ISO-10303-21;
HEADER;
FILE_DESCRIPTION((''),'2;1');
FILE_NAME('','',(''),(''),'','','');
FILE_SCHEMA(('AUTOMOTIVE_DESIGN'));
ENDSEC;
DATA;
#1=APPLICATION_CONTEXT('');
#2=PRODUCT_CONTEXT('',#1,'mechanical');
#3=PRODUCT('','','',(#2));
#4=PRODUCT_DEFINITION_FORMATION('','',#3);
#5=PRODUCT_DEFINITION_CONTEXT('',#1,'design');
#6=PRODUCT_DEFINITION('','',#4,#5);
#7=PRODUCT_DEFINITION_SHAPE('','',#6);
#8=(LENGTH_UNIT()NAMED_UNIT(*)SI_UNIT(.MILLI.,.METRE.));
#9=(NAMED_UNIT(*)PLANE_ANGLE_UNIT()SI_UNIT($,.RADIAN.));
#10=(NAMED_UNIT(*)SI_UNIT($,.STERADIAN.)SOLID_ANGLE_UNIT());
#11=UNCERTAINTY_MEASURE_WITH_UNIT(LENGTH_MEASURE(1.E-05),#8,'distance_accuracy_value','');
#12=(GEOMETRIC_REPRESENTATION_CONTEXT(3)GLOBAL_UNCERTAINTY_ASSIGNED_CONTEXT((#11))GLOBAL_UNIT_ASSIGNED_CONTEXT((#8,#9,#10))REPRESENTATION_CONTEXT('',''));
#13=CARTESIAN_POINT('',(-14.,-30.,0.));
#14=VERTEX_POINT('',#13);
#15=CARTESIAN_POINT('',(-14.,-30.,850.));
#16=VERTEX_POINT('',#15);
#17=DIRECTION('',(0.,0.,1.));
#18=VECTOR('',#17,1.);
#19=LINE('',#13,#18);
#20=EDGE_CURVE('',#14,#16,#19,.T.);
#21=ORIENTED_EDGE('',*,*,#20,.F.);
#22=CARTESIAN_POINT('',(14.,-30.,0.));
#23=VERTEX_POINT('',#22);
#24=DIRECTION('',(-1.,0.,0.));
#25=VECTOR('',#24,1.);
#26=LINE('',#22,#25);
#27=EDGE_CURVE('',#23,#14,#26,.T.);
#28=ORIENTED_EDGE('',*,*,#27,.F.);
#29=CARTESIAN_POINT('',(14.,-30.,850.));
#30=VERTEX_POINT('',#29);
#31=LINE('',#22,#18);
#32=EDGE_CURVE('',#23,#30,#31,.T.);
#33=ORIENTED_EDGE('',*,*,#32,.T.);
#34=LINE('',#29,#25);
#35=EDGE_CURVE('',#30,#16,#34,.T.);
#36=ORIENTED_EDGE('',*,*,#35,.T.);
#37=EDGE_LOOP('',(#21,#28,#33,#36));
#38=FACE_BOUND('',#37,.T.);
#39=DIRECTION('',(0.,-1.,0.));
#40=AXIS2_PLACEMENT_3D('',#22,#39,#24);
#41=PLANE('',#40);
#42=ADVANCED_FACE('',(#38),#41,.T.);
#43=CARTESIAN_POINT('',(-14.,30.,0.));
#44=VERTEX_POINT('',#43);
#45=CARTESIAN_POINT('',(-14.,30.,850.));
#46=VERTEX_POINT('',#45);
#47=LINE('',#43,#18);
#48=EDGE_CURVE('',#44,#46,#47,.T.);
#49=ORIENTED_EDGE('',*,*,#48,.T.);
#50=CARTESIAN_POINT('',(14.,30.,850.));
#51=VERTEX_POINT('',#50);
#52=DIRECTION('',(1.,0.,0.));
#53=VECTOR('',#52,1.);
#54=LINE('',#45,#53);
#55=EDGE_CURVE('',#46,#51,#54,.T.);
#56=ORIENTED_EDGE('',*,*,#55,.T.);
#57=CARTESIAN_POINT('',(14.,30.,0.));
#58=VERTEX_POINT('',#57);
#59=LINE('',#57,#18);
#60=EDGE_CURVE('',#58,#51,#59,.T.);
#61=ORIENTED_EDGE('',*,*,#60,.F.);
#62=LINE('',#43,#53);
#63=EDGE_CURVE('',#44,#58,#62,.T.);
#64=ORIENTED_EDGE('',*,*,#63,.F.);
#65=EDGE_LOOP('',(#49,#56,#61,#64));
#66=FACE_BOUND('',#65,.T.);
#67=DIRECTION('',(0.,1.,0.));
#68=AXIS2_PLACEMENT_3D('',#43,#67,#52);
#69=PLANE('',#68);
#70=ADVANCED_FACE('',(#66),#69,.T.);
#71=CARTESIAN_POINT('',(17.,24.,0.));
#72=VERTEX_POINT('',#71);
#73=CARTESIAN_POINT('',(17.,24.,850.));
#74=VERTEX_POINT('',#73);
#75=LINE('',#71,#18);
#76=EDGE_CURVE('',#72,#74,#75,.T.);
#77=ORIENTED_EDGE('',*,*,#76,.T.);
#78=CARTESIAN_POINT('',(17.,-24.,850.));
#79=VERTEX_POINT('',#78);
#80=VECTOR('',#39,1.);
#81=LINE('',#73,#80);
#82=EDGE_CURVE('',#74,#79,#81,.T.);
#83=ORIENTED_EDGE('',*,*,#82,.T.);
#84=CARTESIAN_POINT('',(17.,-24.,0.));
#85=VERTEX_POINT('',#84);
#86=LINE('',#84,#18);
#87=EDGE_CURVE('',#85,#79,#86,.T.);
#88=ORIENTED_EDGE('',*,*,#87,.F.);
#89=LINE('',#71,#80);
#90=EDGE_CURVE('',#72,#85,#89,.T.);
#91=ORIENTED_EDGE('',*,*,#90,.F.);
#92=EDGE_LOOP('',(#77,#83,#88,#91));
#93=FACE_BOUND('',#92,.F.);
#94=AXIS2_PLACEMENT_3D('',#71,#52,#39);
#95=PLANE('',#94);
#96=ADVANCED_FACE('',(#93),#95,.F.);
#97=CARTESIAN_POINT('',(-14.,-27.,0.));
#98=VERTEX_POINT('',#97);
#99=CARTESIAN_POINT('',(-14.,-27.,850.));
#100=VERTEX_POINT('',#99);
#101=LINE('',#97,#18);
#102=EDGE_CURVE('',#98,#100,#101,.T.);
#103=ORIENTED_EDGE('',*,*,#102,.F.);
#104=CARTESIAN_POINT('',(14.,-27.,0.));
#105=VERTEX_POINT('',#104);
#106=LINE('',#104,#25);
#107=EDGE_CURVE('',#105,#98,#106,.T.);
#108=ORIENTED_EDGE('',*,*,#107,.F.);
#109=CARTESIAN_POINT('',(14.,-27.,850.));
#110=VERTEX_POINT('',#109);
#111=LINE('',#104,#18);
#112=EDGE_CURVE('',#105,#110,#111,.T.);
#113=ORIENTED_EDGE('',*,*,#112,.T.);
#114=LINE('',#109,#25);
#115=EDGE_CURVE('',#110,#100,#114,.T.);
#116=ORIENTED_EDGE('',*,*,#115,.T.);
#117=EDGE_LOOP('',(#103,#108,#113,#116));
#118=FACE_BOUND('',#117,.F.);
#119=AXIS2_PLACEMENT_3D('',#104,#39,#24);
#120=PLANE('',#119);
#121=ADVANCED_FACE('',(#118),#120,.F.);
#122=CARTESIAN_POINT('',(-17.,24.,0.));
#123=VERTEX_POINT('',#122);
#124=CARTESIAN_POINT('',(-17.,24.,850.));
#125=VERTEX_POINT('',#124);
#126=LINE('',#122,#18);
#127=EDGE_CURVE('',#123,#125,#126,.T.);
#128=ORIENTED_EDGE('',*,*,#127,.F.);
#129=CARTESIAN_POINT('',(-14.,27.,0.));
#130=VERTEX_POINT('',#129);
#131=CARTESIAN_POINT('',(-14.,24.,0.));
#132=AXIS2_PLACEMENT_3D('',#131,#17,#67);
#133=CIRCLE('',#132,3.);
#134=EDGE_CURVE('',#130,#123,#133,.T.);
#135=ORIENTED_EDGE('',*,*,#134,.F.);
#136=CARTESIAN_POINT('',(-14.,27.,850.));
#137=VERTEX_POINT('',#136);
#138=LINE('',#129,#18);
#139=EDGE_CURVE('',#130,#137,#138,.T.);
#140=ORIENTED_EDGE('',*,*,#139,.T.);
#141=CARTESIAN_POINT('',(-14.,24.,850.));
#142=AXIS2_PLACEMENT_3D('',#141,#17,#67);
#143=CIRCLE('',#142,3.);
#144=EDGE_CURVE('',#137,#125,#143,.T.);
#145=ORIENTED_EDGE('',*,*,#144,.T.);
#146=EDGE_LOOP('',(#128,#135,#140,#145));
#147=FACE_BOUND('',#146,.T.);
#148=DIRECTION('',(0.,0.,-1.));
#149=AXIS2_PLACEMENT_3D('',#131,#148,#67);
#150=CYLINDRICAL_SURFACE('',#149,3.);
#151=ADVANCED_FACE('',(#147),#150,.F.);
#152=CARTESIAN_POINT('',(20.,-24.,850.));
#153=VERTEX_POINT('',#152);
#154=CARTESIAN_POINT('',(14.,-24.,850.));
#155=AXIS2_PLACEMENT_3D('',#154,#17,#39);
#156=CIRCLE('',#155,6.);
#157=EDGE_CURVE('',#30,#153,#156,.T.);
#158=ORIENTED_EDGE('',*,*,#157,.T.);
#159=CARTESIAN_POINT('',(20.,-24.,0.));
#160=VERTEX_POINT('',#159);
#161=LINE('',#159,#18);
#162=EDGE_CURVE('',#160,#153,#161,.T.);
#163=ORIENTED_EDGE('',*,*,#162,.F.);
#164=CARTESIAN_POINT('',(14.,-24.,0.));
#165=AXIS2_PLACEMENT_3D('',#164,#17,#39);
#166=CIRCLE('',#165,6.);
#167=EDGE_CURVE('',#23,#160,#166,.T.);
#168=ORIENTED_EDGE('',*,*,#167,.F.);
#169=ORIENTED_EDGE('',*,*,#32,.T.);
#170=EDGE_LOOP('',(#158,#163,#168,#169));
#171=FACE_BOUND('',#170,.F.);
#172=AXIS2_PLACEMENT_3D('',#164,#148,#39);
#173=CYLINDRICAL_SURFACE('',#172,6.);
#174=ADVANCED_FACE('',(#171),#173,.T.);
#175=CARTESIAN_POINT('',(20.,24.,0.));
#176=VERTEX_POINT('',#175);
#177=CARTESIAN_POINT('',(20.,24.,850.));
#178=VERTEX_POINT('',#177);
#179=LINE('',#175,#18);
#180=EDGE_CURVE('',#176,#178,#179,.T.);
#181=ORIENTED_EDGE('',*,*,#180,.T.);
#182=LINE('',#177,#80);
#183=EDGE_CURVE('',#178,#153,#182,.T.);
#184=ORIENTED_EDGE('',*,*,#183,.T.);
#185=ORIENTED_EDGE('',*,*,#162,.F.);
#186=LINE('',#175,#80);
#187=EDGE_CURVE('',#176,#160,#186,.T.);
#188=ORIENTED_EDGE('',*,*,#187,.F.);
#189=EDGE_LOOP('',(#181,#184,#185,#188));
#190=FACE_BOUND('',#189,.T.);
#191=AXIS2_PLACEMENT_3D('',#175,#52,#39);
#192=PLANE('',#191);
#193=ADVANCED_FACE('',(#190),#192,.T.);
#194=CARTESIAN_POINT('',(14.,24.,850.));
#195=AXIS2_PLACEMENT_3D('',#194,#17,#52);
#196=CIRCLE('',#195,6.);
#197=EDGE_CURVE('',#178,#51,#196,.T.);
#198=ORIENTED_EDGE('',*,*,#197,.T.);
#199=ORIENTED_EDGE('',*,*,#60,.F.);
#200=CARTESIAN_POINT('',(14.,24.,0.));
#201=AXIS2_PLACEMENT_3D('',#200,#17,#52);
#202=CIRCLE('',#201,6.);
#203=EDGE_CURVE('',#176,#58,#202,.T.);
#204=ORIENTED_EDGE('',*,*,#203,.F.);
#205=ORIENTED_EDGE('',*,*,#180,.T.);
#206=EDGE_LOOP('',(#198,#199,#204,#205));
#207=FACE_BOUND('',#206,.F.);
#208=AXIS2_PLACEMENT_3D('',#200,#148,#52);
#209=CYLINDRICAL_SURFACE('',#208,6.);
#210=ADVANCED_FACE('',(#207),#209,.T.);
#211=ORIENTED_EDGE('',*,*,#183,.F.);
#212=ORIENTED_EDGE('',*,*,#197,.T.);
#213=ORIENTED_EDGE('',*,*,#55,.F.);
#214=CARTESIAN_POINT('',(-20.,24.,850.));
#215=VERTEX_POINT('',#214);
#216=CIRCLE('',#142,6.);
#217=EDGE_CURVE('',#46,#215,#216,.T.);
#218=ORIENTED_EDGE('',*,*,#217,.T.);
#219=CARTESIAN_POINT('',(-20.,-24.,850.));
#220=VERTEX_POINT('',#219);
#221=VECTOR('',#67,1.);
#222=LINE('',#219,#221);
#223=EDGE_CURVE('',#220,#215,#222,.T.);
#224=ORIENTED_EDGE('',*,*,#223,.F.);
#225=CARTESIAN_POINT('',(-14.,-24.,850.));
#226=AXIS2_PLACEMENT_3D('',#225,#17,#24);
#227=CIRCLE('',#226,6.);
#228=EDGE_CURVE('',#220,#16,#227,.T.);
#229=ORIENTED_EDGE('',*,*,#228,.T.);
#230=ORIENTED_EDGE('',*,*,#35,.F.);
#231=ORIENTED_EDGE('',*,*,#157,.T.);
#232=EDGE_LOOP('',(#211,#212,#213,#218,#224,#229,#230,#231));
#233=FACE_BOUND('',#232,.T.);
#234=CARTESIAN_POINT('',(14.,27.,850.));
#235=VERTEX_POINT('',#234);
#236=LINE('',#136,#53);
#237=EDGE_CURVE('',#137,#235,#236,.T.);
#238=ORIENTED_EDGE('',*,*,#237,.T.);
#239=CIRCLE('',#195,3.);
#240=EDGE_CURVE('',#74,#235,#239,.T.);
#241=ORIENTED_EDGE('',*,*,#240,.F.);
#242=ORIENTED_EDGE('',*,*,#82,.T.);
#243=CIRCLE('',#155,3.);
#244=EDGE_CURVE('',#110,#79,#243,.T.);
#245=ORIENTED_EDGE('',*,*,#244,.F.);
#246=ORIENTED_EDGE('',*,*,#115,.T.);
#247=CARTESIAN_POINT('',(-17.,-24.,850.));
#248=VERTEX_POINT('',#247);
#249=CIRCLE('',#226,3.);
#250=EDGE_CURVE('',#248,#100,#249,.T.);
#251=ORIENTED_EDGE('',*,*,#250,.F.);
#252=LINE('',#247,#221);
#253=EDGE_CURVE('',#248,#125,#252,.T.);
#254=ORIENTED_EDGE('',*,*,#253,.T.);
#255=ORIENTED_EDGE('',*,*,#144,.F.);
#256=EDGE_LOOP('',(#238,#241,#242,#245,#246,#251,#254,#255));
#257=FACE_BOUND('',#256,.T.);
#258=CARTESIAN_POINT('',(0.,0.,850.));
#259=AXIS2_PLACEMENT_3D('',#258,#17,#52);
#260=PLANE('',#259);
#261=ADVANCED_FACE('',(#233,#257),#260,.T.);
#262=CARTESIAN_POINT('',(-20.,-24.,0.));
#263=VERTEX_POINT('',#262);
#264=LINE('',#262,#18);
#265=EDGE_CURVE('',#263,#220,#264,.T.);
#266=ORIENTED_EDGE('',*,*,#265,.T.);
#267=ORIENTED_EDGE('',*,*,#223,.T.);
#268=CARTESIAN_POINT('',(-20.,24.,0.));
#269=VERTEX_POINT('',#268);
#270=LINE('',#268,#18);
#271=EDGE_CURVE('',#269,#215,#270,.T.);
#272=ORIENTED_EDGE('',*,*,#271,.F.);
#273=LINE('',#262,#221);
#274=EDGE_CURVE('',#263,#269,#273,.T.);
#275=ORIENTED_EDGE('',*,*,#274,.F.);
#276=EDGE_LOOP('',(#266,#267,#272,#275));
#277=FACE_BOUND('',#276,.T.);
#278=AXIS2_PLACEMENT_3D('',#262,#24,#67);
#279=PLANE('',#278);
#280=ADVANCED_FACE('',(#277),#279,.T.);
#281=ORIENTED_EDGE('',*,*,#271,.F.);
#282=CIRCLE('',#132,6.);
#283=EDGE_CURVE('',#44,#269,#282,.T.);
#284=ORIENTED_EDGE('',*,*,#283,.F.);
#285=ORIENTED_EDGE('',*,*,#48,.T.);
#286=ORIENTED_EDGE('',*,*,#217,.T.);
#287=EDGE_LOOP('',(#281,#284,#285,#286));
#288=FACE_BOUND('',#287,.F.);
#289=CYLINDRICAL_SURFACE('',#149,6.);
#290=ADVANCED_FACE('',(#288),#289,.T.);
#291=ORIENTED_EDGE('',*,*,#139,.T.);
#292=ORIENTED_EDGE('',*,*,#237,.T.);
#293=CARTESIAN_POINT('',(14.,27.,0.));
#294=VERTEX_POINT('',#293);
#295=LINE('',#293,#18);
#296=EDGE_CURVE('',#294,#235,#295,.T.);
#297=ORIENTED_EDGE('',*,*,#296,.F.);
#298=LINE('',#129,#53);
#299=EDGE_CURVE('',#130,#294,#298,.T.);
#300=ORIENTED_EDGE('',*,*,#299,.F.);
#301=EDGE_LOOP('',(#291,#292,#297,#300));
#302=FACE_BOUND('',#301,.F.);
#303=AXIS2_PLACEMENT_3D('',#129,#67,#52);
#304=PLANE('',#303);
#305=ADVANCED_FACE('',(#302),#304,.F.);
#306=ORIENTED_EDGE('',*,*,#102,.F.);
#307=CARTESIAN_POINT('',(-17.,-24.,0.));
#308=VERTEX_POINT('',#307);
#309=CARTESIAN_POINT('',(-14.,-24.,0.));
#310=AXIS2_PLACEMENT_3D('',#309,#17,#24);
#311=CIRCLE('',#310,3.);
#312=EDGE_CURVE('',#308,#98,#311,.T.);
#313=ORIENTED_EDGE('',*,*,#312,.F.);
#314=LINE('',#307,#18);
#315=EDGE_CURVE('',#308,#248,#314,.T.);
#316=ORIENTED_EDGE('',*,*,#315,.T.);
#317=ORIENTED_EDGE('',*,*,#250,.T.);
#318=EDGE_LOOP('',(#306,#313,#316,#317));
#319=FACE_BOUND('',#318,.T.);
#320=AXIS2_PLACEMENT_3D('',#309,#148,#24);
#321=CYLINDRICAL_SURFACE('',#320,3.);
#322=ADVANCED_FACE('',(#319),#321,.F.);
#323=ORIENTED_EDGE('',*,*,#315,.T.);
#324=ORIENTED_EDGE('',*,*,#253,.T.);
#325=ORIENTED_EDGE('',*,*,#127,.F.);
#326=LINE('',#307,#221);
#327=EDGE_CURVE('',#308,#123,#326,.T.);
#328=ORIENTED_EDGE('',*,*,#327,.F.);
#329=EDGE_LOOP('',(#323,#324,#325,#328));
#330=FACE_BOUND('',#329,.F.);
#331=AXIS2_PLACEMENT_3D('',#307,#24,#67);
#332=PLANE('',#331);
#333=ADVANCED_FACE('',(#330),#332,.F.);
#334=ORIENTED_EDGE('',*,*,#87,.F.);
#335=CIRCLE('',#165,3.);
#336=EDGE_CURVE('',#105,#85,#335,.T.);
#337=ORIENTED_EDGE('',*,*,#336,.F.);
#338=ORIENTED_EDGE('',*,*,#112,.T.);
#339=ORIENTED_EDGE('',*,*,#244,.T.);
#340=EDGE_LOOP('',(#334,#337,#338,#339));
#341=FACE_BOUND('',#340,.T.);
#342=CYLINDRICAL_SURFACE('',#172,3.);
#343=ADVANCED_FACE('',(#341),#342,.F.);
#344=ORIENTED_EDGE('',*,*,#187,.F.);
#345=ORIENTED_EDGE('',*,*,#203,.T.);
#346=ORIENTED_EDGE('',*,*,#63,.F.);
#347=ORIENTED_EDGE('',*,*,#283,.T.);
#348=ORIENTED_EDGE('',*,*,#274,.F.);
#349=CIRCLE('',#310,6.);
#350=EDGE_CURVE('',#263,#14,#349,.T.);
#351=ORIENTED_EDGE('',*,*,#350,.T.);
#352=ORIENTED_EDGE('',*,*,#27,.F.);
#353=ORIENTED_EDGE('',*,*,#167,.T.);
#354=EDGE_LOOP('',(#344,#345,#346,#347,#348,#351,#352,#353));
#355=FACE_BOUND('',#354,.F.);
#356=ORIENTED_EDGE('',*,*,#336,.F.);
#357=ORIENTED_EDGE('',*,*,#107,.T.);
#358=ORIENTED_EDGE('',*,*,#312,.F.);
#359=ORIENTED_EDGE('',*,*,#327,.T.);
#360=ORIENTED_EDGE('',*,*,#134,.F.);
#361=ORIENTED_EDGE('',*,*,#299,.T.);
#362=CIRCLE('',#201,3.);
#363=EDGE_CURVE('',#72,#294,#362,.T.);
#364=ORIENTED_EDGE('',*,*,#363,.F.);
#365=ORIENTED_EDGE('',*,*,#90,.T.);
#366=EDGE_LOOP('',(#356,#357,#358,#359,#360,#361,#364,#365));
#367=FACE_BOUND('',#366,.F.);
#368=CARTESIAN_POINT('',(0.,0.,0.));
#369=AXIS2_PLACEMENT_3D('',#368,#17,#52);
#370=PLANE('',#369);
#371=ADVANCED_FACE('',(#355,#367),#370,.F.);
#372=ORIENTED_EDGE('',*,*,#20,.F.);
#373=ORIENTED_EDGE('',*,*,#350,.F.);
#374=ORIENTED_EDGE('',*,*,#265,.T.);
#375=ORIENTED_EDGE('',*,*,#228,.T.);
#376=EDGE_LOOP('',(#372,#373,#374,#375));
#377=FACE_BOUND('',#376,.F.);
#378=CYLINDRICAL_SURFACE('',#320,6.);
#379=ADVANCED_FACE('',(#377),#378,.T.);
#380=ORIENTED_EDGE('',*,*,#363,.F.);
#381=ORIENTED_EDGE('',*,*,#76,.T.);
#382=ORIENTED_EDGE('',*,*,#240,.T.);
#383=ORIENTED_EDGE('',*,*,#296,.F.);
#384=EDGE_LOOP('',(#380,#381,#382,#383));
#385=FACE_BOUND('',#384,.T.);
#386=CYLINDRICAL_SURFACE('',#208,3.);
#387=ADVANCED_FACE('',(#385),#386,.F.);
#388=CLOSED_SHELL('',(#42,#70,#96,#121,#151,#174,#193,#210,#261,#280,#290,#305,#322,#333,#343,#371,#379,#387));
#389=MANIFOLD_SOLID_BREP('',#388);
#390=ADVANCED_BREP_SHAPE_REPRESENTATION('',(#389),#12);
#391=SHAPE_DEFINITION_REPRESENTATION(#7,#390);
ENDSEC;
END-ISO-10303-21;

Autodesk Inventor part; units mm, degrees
ref_plane "YZ Plane" through (0, 0, 0) normal (1, 0, 0) x (0, 1, 0)
ref_plane "Start Plane" through (0, 0, 0) normal (0, 0, 1) x (1, 0, 0)
ref_plane "End Plane" through (0, 0, 850) normal (0, 0, 1) x (1, 0, 0)
sketch "Sketch" plane through (0, 0, 0) normal (0, 0, 1) x (1, 0, 0)
  line L0 (-20, -24) -> (-20, 24)
  line L1 (-14, 30) -> (14, 30)
  line L2 (20, 24) -> (20, -24)
  line L3 (14, -30) -> (-14, -30)
  arc A0 (-20, -24) -> (-14, -30) centre (-14, -24) ccw
  arc A1 (20, 24) -> (14, 30) centre (14, 24) ccw
  arc A2 (-14, 30) -> (-20, 24) centre (-14, 24) ccw
  arc A3 (14, -30) -> (20, -24) centre (14, -24) ccw
  arc A4 (-14, 27) -> (-17, 24) centre (-14, 24) ccw
  line L4 (-14, 27) -> (14, 27)
  arc A5 (17, 24) -> (14, 27) centre (14, 24) ccw
  line L5 (17, 24) -> (17, -24)
  arc A6 (14, -27) -> (17, -24) centre (14, -24) ccw
  line L6 (14, -27) -> (-14, -27)
  arc A7 (-17, -24) -> (-14, -27) centre (-14, -24) ccw
  line L7 (-17, -24) -> (-17, 24)
  line L8 (0, 43.7397) -> (0, -43.7397) construction
  line L9 (-29.7397, 0) -> (29.7397, 0) construction
  dimension "d7" = 6
  dimension "d9" = 40
  dimension "d11" = 60
  dimension "d12" = 3
  dimension "d15" = 20
  dimension "d16" = 30
extrude "Body" add sketch "Sketch" along normal up to surface (850 mm away) from surface at 0
sketch "Sketch3" plane through (0, 0, 0) normal (0, 0, 1) x (1, 0, 0)
  line L0 (0, 0) -> (10, 0)
ref_plane "Work Plane3" through (0, 0, 0) normal (0, -1, 0) x (1, 0, 0)
sketch "Sketch4" plane through (0, 0, 0) normal (0, -1, 0) x (1, 0, 0)
  line L0 (-2, 0) -> (12, 0) projected
  line L1 (-2, 850) -> (12, 850) projected
  dimension "d18" = 850
equation "\"d7\" = G_IR"
equation "\"d9\" = G_W"
equation "\"d11\" = G_H"
equation "\"d12\" = G_T"
equation "\"d15\" = 0.5 * d9"
equation "\"d16\" = 0.5 * d11"
equation "\"d3\" = G_L"
equation "\"G_W\" = 40"
equation "\"G_H\" = 60"
equation "\"G_T\" = 3"
equation "\"G_IR\" = 6"
equation "\"G_L\" = d18"
equation "\"G_OFFSET_START\" = 0"
equation "\"G_OFFSET_END\" = 0"
properties part number "ISO 4019 - 60x40x3 - 850" material "Steel, Mild"
